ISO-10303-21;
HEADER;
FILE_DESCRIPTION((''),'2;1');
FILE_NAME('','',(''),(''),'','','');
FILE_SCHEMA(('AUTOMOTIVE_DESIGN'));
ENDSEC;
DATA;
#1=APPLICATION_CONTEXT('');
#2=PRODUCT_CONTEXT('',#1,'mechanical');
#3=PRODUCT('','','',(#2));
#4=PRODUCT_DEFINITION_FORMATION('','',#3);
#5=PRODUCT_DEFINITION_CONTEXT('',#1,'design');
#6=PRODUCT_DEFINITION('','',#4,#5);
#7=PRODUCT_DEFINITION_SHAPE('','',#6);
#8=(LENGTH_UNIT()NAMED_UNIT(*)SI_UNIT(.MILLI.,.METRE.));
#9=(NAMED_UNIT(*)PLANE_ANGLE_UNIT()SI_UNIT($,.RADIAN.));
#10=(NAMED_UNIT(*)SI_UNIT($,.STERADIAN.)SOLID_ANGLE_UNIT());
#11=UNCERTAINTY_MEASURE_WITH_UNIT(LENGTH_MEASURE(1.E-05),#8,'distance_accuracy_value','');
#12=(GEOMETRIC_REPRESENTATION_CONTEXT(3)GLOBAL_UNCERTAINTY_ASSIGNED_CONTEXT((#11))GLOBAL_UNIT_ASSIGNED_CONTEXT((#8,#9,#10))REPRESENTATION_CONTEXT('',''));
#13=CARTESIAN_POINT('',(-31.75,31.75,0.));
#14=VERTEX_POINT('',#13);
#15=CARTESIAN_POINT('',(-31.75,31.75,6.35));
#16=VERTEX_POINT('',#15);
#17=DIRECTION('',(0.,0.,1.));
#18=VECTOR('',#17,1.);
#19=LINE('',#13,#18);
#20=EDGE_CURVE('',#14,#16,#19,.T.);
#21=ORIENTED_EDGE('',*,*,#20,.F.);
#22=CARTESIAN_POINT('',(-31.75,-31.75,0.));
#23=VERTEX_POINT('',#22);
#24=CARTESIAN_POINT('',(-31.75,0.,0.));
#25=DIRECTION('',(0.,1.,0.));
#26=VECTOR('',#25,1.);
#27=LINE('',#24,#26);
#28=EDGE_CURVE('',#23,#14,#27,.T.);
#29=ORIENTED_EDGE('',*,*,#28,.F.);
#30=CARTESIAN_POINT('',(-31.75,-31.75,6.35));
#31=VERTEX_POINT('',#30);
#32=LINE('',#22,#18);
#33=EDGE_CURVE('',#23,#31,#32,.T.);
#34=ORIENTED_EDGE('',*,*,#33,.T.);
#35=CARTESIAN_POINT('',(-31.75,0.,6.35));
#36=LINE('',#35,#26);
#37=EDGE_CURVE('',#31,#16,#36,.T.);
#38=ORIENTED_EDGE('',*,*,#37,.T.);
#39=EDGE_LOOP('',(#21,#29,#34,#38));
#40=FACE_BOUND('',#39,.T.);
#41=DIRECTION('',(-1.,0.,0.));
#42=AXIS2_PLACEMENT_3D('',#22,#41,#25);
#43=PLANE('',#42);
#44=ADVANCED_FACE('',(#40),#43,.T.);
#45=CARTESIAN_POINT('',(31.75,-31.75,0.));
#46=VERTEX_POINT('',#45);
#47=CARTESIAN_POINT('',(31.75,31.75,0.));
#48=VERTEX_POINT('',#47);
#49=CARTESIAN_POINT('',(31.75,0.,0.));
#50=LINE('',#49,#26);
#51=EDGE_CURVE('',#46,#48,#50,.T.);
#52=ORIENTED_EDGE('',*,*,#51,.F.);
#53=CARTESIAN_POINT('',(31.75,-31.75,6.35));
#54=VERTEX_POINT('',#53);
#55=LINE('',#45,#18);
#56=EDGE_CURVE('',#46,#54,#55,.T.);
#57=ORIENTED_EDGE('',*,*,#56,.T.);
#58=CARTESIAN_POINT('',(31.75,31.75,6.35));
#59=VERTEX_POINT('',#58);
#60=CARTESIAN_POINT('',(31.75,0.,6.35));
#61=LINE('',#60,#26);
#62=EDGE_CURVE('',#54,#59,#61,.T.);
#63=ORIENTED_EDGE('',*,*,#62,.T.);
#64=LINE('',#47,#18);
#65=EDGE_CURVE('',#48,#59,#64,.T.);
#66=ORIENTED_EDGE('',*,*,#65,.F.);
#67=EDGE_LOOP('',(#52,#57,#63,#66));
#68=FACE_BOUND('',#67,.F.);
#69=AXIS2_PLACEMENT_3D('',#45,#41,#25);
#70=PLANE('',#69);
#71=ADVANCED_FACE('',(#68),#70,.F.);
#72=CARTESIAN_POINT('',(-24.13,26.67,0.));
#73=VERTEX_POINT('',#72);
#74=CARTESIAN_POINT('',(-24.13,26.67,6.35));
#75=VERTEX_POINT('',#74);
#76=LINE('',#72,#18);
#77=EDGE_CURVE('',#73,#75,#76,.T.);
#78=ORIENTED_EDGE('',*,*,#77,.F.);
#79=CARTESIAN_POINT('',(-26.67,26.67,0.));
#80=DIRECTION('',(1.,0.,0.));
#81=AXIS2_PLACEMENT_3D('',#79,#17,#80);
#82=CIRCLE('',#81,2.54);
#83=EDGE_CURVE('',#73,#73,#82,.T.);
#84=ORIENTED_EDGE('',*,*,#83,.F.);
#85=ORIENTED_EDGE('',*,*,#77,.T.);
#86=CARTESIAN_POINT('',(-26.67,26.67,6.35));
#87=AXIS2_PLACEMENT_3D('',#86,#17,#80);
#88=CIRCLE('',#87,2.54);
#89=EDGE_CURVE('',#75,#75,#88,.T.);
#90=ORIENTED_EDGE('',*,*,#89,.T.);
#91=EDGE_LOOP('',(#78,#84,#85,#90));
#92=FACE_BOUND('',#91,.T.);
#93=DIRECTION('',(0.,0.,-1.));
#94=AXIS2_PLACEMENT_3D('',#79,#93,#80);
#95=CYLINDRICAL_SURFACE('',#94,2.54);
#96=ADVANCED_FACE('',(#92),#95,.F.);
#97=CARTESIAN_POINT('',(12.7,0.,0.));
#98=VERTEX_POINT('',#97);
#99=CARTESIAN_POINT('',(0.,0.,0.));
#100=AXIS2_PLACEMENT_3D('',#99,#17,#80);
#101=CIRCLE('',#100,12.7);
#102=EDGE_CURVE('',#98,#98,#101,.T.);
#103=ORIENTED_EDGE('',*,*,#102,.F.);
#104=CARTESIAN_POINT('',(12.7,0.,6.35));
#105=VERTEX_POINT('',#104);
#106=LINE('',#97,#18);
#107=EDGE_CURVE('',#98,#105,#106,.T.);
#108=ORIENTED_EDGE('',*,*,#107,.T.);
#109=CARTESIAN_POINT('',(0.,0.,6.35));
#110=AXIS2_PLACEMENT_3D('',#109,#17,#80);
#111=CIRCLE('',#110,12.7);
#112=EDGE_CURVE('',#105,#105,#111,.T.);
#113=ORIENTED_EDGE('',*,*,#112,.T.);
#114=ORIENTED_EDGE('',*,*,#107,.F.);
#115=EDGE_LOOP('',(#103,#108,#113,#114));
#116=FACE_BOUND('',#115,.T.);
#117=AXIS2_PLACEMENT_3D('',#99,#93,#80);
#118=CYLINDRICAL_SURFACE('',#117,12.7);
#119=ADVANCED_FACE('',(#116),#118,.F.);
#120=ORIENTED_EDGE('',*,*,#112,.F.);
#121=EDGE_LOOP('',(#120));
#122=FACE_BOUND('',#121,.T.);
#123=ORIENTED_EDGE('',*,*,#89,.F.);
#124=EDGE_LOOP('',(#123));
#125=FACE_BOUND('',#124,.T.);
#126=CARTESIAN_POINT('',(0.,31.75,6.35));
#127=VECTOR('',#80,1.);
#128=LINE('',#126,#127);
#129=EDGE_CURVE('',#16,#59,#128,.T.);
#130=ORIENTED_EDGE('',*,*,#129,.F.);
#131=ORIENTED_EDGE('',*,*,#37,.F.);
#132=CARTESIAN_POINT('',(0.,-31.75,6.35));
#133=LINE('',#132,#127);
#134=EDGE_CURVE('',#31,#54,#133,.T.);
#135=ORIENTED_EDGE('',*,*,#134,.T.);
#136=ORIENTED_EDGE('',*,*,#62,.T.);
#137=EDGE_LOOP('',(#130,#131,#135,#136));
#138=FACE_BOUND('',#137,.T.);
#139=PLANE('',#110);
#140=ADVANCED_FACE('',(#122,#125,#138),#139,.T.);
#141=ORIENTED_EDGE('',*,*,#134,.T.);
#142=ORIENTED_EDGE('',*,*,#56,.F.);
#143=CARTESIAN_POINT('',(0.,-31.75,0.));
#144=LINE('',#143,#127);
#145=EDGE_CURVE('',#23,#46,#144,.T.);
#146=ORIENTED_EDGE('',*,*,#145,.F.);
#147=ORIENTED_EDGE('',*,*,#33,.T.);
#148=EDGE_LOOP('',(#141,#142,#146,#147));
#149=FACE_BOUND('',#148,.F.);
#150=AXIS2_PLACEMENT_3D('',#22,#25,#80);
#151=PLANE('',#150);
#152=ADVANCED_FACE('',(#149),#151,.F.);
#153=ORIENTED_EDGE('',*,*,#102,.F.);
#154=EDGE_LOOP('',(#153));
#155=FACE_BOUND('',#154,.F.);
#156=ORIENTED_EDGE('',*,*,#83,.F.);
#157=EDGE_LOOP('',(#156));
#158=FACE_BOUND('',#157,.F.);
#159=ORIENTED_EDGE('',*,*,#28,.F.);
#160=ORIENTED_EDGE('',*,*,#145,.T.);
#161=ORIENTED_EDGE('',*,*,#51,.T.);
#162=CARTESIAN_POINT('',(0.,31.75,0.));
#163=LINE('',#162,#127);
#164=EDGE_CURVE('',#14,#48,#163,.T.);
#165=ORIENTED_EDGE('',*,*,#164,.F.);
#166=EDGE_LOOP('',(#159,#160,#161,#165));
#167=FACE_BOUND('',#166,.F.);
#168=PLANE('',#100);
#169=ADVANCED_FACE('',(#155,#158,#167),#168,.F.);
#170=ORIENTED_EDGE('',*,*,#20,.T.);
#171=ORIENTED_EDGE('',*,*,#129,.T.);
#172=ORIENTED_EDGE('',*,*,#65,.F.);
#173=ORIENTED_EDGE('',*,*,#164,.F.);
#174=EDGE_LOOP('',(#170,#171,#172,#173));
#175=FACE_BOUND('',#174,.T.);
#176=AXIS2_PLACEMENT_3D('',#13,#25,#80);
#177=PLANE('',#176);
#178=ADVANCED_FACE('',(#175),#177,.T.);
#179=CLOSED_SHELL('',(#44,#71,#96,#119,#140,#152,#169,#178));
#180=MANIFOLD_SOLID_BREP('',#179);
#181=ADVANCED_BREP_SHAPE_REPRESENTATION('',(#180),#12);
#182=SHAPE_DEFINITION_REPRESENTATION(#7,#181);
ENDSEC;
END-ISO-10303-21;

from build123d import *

# Parameters (mm, degrees)
F0_W     = 63.5
F0_H     = 63.5
F1_DEPTH = 6.35
F2_R     = 12.7
F3_DEPTH = 6.35
F4_R     = 2.54
F5_DEPTH = 6.35


with BuildPart() as f1:
    # F0 (on Top) → F1 (new body)
    with BuildSketch(Plane.XY):
        Rectangle(F0_W, F0_H)
    extrude(amount=F1_DEPTH)

    # F2 (on Top) → F3 (cut, through all)
    with BuildSketch(Plane.XY):
        Circle(F2_R)
    extrude(amount=F3_DEPTH, mode=Mode.SUBTRACT)

    # F4 (on Top) → F5 (cut, through all)
    with BuildSketch(Plane.XY):
        with Locations((-26.67, 26.67)):
            Circle(F4_R)
    extrude(amount=F5_DEPTH, mode=Mode.SUBTRACT)


solid = f1.part
